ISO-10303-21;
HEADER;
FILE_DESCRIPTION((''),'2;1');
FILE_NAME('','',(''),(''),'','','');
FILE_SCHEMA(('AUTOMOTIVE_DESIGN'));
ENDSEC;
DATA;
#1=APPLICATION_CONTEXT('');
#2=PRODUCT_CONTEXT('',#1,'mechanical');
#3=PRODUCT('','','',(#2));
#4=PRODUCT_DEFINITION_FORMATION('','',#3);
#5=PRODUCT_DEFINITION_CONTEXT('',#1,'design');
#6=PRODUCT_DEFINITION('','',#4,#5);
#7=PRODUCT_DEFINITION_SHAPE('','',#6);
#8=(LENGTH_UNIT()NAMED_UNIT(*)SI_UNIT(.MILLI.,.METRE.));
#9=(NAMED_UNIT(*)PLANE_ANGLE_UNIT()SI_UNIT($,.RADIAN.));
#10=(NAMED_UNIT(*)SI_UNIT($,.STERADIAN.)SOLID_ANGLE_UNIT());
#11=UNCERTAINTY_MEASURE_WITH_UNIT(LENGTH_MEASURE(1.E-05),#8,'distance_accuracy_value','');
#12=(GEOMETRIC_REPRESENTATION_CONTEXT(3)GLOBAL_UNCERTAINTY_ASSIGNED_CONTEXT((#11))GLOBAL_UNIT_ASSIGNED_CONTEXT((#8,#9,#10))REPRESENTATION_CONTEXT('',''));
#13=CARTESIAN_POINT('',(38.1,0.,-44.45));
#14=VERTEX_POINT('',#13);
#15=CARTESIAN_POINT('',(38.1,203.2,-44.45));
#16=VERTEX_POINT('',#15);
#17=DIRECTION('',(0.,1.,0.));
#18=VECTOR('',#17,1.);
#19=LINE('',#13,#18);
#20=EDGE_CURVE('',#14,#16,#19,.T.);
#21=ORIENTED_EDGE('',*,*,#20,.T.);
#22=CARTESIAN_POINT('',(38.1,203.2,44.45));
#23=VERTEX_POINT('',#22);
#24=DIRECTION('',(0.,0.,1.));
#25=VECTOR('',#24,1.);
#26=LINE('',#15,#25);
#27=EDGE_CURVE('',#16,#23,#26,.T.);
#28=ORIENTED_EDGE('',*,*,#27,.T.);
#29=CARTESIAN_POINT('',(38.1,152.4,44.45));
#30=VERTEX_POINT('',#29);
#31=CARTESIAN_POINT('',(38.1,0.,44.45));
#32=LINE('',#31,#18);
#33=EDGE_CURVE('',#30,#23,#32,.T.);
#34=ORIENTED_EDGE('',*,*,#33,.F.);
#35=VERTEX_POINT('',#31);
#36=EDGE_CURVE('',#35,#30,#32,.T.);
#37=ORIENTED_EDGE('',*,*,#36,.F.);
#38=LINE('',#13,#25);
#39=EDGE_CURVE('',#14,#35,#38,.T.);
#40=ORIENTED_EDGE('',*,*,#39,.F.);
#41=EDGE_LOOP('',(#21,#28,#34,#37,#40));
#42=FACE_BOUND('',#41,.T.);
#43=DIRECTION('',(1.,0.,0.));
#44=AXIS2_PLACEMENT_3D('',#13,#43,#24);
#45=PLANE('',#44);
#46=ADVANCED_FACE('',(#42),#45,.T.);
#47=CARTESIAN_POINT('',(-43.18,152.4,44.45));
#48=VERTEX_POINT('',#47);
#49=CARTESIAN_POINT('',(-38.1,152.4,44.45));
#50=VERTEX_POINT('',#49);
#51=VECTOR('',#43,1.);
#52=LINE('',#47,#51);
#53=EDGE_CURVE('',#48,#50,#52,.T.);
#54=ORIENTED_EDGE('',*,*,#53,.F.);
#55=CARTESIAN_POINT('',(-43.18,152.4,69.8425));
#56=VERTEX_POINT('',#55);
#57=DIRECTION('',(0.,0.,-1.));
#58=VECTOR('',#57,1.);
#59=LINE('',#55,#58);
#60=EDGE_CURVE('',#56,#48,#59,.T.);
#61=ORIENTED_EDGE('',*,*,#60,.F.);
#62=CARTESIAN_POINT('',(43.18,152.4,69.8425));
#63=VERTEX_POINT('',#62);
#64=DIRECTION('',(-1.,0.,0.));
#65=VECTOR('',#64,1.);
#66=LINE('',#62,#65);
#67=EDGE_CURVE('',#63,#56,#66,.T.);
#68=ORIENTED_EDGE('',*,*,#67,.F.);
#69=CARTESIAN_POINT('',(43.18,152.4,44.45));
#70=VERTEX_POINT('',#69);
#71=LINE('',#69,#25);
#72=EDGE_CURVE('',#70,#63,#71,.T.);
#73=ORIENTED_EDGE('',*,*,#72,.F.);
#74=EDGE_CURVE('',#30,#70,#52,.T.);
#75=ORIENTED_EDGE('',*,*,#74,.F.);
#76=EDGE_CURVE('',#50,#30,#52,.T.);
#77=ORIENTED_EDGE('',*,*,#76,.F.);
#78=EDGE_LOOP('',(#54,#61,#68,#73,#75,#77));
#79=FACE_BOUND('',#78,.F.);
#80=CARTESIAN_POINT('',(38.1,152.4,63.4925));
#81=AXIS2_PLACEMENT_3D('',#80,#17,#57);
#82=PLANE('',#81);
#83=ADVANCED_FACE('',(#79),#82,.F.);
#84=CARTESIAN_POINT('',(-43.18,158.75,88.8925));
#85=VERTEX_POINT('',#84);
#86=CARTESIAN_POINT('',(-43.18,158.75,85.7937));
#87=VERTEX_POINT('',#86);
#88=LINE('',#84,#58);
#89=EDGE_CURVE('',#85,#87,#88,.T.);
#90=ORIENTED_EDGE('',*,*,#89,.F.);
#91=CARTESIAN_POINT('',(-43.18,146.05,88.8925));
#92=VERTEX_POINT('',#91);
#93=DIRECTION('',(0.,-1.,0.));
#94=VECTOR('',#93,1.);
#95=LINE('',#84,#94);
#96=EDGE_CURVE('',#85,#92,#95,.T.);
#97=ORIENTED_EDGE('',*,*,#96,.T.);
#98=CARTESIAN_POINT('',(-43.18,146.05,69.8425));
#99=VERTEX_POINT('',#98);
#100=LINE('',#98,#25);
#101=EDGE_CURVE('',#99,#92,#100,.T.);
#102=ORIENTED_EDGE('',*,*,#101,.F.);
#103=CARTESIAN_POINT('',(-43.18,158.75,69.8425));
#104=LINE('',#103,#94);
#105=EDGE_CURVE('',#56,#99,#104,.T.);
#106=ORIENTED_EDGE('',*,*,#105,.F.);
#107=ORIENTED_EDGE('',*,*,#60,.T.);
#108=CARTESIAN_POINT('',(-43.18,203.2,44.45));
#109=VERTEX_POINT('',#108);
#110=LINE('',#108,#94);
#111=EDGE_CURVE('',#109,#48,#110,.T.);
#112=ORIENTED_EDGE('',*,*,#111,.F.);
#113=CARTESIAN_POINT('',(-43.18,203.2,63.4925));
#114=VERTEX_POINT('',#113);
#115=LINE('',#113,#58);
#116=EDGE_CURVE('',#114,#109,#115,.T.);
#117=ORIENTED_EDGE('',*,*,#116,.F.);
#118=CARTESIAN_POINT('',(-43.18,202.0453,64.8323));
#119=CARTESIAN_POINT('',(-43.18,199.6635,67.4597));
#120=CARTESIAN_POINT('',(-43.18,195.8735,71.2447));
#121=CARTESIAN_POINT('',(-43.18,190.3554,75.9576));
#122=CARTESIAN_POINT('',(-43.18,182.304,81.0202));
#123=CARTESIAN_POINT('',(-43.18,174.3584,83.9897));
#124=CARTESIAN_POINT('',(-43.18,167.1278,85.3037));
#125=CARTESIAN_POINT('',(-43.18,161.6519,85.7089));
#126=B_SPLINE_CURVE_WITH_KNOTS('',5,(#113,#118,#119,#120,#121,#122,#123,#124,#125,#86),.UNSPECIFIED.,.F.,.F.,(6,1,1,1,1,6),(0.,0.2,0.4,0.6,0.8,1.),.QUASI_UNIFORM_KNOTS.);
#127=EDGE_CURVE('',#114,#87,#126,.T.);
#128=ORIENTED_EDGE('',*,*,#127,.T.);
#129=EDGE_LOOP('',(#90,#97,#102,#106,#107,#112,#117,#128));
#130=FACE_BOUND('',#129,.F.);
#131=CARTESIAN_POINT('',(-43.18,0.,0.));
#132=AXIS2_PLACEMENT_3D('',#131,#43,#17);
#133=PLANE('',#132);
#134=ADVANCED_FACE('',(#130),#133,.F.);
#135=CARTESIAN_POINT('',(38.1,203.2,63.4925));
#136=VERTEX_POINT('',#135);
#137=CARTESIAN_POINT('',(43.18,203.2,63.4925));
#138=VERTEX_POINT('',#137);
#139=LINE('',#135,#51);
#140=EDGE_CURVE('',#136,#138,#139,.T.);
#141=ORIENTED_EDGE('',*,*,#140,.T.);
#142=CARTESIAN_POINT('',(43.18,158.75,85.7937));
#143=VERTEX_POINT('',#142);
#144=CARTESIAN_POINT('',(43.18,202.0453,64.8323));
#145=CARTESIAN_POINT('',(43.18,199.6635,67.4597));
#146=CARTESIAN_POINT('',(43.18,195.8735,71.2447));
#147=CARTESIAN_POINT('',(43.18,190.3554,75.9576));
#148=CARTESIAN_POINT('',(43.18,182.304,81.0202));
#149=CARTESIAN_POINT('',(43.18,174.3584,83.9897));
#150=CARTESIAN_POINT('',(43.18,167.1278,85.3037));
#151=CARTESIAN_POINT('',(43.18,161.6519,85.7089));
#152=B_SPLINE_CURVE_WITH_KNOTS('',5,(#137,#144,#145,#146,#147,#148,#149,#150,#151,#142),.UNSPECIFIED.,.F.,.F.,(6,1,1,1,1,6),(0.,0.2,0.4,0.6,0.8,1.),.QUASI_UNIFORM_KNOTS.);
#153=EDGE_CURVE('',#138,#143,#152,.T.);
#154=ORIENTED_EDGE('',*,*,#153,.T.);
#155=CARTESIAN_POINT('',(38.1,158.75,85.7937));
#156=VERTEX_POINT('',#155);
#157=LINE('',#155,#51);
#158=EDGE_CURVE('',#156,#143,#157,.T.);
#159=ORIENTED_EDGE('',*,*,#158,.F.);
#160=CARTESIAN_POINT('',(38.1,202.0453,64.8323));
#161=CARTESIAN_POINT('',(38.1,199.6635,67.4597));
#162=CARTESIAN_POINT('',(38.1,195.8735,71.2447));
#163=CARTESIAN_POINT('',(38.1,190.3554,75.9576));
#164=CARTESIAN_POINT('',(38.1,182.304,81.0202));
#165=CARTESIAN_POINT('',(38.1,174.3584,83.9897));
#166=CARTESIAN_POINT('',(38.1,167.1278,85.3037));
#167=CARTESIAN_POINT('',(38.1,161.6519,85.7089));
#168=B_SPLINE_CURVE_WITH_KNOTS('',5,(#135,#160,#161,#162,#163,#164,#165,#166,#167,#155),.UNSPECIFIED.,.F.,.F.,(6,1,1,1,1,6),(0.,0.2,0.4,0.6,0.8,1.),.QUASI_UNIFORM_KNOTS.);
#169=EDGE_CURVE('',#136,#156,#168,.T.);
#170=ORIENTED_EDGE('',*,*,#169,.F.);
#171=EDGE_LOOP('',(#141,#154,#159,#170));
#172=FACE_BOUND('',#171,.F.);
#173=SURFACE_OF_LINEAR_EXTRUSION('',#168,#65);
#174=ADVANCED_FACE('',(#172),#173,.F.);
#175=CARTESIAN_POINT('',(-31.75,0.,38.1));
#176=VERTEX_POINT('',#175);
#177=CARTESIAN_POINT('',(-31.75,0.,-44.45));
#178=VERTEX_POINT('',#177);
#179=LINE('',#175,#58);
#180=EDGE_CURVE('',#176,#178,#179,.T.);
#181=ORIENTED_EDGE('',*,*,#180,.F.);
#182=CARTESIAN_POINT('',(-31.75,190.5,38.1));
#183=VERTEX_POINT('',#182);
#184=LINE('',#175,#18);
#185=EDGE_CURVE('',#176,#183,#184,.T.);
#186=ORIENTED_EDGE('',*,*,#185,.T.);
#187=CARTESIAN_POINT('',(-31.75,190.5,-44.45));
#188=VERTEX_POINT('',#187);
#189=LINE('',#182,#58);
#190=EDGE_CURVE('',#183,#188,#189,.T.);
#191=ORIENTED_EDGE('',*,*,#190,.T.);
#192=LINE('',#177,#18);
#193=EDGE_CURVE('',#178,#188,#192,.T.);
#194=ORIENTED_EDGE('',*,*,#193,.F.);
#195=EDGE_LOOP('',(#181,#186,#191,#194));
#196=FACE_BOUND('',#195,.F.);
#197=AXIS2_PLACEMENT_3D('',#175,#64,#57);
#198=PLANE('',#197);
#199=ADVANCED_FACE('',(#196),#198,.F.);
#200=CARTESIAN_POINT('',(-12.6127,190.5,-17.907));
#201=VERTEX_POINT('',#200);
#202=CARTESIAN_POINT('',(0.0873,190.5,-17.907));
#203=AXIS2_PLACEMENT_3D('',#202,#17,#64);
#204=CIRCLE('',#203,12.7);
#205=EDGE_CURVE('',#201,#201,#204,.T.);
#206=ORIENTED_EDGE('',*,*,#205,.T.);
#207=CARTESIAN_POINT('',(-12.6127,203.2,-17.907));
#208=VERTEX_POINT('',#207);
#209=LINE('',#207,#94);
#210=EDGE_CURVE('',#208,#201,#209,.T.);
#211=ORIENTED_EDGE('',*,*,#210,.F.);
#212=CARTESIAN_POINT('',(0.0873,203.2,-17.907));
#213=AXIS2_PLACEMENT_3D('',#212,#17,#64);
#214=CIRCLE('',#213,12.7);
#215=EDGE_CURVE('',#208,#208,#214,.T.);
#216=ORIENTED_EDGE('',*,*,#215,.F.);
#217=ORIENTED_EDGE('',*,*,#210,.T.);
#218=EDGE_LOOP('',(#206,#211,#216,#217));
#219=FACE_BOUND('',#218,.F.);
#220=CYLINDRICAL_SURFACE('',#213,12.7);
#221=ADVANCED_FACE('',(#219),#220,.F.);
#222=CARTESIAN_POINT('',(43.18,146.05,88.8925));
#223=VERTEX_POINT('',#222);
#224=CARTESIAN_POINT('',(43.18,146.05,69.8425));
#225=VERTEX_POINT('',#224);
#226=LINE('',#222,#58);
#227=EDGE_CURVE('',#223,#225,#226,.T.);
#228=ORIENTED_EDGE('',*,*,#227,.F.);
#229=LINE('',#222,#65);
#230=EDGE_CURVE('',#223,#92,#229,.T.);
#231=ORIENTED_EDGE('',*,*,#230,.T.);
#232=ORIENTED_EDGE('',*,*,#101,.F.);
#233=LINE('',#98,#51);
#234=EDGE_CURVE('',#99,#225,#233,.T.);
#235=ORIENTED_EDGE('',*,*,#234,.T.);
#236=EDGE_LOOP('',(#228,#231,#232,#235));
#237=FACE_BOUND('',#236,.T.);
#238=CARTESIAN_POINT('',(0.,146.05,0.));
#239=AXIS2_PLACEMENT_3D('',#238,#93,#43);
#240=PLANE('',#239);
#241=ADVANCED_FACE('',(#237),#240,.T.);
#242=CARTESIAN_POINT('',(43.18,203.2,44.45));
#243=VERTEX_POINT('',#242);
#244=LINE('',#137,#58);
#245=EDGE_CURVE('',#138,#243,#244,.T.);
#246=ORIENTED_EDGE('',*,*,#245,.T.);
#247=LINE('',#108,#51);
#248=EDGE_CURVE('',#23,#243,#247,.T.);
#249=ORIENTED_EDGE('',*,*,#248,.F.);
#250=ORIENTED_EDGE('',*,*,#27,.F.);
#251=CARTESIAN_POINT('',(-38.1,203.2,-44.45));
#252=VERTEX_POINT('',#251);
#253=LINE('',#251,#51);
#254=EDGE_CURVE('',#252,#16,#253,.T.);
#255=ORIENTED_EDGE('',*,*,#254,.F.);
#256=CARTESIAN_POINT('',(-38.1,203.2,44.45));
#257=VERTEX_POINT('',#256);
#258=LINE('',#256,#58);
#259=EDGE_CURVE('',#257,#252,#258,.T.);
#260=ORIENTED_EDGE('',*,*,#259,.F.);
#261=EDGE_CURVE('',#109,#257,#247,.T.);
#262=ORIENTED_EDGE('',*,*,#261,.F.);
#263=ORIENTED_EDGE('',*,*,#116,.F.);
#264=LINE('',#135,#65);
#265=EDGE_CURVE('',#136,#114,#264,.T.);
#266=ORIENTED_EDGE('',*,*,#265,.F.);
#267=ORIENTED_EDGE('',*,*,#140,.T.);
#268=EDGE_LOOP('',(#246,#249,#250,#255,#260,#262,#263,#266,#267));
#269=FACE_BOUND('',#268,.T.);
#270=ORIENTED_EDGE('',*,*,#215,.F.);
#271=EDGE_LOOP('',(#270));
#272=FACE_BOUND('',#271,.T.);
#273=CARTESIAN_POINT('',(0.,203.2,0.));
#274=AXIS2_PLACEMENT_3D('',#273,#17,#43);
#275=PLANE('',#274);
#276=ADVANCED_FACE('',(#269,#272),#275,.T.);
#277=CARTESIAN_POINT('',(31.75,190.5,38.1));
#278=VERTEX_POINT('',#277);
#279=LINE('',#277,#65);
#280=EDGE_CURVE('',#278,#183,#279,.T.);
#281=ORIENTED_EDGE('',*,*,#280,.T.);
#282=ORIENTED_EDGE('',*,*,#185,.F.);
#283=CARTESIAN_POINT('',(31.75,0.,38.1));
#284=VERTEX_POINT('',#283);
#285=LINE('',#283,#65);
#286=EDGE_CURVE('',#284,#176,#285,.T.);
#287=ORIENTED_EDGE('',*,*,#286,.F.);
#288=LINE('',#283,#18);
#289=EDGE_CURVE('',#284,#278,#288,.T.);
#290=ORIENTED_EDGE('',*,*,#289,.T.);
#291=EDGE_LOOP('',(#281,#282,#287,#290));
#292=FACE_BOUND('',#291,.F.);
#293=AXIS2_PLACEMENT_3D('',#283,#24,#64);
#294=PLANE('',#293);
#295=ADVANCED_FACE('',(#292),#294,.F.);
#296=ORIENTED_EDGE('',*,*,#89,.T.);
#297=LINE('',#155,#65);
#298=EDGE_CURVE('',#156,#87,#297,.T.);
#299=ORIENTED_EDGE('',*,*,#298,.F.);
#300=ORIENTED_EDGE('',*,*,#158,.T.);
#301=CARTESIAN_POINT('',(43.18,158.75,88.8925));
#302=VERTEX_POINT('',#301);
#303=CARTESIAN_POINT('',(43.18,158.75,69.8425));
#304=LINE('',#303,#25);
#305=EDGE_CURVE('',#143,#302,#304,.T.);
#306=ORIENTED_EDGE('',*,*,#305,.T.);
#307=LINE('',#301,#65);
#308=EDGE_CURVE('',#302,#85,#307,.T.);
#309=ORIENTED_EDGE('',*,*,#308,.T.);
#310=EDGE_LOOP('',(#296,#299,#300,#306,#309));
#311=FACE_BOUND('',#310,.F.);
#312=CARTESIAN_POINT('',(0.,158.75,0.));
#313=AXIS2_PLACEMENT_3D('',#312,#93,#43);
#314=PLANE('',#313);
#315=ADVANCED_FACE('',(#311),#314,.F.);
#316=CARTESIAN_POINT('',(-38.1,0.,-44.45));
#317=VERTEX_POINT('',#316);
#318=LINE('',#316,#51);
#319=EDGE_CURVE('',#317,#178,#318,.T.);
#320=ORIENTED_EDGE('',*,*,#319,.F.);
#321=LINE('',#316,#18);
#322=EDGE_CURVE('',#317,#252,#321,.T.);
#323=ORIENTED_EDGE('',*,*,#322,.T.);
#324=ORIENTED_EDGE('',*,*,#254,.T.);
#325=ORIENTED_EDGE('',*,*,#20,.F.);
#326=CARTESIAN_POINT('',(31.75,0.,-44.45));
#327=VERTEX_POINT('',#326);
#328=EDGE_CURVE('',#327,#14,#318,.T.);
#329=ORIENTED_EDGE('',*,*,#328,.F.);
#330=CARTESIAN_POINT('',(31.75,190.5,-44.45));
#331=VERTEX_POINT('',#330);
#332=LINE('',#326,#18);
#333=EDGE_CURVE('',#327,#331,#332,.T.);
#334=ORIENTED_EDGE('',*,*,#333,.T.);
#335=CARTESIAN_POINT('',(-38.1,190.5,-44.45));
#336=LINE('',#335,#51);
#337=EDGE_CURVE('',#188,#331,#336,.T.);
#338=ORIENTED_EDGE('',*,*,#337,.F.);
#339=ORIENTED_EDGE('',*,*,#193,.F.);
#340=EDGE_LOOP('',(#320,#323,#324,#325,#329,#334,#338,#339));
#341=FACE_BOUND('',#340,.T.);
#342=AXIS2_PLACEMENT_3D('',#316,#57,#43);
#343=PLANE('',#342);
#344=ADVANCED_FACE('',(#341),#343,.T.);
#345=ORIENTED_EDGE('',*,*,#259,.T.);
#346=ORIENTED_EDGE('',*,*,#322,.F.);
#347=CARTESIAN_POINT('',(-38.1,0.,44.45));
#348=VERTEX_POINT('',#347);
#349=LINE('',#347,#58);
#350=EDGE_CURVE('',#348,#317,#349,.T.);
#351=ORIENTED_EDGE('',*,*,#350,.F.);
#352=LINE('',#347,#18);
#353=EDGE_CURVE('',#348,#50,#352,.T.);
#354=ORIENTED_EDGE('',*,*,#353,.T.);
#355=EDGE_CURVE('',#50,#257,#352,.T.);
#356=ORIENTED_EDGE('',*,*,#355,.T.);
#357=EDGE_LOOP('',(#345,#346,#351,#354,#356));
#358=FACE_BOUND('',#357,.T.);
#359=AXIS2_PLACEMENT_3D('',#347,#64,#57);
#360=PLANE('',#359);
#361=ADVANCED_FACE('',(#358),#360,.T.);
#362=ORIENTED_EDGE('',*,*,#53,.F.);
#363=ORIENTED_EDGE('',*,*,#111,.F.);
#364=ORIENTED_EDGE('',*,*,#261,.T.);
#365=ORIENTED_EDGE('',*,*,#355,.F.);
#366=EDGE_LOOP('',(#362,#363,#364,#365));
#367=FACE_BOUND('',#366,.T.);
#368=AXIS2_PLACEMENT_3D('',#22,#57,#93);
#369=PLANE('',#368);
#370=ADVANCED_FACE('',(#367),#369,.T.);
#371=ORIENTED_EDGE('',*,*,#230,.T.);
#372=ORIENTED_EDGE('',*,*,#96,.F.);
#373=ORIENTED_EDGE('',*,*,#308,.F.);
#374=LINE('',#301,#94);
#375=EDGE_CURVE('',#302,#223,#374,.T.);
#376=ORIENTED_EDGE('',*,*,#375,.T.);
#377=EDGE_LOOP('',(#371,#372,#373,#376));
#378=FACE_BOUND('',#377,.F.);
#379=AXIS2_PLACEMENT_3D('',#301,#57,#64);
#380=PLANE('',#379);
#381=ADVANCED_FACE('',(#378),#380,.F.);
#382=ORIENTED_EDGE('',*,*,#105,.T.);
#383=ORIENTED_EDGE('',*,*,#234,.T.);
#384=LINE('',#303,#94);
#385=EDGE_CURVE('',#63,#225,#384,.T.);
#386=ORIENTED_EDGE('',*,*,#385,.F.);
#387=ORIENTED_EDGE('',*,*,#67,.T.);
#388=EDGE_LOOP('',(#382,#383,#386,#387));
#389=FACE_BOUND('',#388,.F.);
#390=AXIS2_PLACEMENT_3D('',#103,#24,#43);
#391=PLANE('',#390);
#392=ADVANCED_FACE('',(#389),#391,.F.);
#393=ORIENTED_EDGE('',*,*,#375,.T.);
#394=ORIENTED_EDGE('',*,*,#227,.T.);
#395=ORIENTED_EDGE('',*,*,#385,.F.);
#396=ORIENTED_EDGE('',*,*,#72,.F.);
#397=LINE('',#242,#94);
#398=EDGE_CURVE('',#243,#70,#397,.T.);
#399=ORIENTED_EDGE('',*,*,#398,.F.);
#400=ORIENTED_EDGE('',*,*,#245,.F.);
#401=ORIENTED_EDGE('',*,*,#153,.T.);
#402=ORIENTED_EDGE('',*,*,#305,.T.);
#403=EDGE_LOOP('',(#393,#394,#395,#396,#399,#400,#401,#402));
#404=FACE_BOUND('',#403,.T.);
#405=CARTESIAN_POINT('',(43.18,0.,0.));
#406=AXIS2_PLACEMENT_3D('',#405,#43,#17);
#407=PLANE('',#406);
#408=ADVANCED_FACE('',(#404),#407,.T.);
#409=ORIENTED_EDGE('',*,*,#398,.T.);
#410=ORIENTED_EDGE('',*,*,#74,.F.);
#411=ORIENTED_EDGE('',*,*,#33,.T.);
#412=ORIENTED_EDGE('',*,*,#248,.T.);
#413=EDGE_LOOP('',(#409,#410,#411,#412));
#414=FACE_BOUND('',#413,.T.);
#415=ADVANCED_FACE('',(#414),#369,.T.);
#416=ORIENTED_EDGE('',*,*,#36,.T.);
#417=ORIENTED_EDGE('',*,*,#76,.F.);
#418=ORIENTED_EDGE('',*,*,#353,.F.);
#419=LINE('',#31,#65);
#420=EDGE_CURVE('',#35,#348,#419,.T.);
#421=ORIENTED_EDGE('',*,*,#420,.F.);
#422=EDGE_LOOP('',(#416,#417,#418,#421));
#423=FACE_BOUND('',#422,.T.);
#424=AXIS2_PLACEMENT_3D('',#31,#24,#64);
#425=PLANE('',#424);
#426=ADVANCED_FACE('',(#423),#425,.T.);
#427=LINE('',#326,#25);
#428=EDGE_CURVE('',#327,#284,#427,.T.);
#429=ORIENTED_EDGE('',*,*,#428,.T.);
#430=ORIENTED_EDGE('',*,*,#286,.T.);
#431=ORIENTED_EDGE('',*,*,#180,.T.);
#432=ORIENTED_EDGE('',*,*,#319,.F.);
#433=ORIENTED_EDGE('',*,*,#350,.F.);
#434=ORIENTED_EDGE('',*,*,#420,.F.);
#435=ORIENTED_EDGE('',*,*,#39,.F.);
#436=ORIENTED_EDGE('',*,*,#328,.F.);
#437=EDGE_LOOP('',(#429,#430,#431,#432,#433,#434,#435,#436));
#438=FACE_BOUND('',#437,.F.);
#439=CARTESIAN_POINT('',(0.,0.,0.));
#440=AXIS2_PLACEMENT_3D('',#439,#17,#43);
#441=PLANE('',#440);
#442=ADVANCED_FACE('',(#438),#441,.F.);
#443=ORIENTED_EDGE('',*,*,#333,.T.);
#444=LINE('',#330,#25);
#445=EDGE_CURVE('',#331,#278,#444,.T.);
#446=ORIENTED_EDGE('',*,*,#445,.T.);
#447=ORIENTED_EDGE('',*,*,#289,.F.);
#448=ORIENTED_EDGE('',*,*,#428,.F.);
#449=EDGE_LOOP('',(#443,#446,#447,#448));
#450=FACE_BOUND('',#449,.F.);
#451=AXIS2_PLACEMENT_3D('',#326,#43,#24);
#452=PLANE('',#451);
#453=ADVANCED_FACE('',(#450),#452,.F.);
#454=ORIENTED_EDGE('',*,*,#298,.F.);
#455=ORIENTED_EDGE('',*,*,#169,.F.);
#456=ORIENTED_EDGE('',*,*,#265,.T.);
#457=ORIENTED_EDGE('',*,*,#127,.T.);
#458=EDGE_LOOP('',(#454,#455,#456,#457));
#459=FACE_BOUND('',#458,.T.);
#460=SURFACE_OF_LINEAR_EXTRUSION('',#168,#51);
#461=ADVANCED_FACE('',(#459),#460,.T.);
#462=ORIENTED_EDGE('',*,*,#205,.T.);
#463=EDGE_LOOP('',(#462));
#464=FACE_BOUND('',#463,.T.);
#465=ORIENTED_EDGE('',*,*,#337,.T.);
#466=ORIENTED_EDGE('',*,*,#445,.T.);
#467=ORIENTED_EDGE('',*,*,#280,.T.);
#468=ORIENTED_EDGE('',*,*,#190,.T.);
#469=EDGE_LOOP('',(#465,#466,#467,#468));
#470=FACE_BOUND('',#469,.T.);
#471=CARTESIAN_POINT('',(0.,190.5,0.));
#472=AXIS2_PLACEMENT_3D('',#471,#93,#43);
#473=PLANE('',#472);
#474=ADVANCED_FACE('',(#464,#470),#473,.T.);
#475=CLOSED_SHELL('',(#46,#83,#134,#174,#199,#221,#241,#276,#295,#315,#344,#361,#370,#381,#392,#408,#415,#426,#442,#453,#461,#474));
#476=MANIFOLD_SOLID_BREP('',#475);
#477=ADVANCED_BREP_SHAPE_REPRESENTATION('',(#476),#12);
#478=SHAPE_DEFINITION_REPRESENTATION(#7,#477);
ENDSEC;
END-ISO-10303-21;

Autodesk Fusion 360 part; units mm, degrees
sketch "Sketch2" plane through (0, 0, 0) normal (0, 1, 0) x (1, 0, 0)
  line L0 (38.1, -44.45) -> (-38.1, -44.45)
  line L1 (-38.1, -44.45) -> (-38.1, 44.45)
  line L2 (-38.1, 44.45) -> (38.1, 44.45)
  line L3 (38.1, 44.45) -> (38.1, -44.45)
  line L4 (38.1, -44.45) -> (-38.1, 44.45) construction
  line L5 (-38.1, -44.45) -> (38.1, 44.45) construction
  dimension "d3" = 76.2
  dimension "d4" = 88.9
extrude "Extrude1" add sketch "Sketch2" along normal blind 203.2
sketch "Sketch3" plane through (0, 0, 0) normal (0, -1, 0) x (1, 0, 0)
  line L0 (-38.1, -44.45) -> (38.1, -44.45)
  line L1 (38.1, -44.45) -> (38.1, 44.45)
  line L2 (38.1, 44.45) -> (-38.1, 44.45)
  line L3 (-38.1, 44.45) -> (-38.1, -44.45)
  line L4 (-31.75, -44.45) -> (31.75, -44.45)
  line L5 (31.75, -44.45) -> (31.75, 38.1)
  line L6 (31.75, 38.1) -> (-31.75, 38.1)
  line L7 (-31.75, 38.1) -> (-31.75, -44.45)
  dimension "d7" = 63.5
  dimension "d8" = 6.35
  dimension "d9" = 6.35
extrude "Extrude2" cut sketch "Sketch3" against normal blind 190.5 contours L0 L4 L5 L6 L7
sketch "Sketch4" plane through (38.1, 0, 0) normal (1, 0, 0) x (0, 1, 0)
  line L0 (0, 44.45) -> (0, -44.45)
  line L1 (0, -44.45) -> (203.2, -44.45)
  line L2 (203.2, -44.45) -> (203.2, 44.45)
  line L3 (203.2, 44.45) -> (0, 44.45)
  line L4 (152.4, 63.4925) -> (203.2, 63.4925)
  line L5 (152.4, 63.4925) -> (152.4, 69.8425)
  line L6 (152.4, 69.8425) -> (158.75, 69.8425)
  line L7 (158.75, 69.8425) -> (158.75, 85.7937)
  line L8 (152.4, 63.4925) -> (152.4, 44.45)
  line L9 (203.2, 63.4925) -> (203.2, 44.45)
  spline S0 degree 5 poles (203.2, 63.4925) (202.0453, 64.8323) (199.6635, 67.4597) (195.8735, 71.2447) (190.3554, 75.9576) (182.304, 81.0202) (174.3584, 83.9897) (167.1278, 85.3037) (161.6519, 85.7089) (158.75, 85.7937) knots 0 0 0 0 0 0 0.2 0.4 0.6 0.8 1 1 1 1 1 1
  line L10 (165.8196, 85.5871) -> (151.6804, 86.0004)
  dimension "d12" = 50.8
  dimension "d13" = 6.35
  dimension "d14" = 15.9512
  dimension "d27" = 19.0426
  dimension "d28" = 6.35
extrude "Extrude3" add sketch "Sketch4" along normal blind 5.08 and the other way blind 81.28 contours L3 L4 L8 L9 | L4 L5 L6 L7 S0
sketch "Sketch5" plane through (0, 158.75, 0) normal (0, -1, 0) x (1, 0, 0)
  line L0 (43.18, 69.8425) -> (43.18, 85.7937)
  line L1 (-43.18, 69.8425) -> (43.18, 69.8425)
  line L2 (-43.18, 85.7937) -> (-43.18, 69.8425)
  line L3 (43.18, 69.8425) -> (-43.18, 69.8425)
  line L4 (-43.18, 69.8425) -> (43.18, 69.8425)
  line L5 (43.18, 69.8425) -> (43.18, 88.8925)
  line L6 (43.18, 88.8925) -> (-43.18, 88.8925)
  line L7 (-43.18, 88.8925) -> (-43.18, 69.8425)
  line L8 (43.18, 85.7937) -> (-43.18, 85.7937)
  dimension "d26" = 19.05
extrude "Extrude4" add sketch "Sketch5" along normal blind 12.7
sketch "Sketch6" plane through (0, 203.2, 0) normal (0, 1, 0) x (-1, 0, 0)
  line L0 (-38.1, -44.45) -> (38.1, -44.45)
  line L1 (38.1, -44.45) -> (38.1, 44.45)
  line L2 (38.1, 44.45) -> (43.18, 44.45)
  line L3 (-43.18, 63.4925) -> (-43.18, 44.45)
  line L4 (43.18, 44.45) -> (43.18, 63.4925)
  line L5 (-38.1, 44.45) -> (-38.1, -44.45)
  circle A0 centre (-0.0873, -17.907) radius 12.7
  line L6 (-0.0873, 10.16) -> (-0.0873, -53.34) construction
  line L7 (43.18, 63.4925) -> (-43.18, 63.4925)
  line L8 (-43.18, 44.45) -> (-38.1, 44.45)
  dimension "d23" = 25.4
  dimension "d25" = 26.543
extrude "Extrude5" cut sketch "Sketch6" against normal through all contours A0
